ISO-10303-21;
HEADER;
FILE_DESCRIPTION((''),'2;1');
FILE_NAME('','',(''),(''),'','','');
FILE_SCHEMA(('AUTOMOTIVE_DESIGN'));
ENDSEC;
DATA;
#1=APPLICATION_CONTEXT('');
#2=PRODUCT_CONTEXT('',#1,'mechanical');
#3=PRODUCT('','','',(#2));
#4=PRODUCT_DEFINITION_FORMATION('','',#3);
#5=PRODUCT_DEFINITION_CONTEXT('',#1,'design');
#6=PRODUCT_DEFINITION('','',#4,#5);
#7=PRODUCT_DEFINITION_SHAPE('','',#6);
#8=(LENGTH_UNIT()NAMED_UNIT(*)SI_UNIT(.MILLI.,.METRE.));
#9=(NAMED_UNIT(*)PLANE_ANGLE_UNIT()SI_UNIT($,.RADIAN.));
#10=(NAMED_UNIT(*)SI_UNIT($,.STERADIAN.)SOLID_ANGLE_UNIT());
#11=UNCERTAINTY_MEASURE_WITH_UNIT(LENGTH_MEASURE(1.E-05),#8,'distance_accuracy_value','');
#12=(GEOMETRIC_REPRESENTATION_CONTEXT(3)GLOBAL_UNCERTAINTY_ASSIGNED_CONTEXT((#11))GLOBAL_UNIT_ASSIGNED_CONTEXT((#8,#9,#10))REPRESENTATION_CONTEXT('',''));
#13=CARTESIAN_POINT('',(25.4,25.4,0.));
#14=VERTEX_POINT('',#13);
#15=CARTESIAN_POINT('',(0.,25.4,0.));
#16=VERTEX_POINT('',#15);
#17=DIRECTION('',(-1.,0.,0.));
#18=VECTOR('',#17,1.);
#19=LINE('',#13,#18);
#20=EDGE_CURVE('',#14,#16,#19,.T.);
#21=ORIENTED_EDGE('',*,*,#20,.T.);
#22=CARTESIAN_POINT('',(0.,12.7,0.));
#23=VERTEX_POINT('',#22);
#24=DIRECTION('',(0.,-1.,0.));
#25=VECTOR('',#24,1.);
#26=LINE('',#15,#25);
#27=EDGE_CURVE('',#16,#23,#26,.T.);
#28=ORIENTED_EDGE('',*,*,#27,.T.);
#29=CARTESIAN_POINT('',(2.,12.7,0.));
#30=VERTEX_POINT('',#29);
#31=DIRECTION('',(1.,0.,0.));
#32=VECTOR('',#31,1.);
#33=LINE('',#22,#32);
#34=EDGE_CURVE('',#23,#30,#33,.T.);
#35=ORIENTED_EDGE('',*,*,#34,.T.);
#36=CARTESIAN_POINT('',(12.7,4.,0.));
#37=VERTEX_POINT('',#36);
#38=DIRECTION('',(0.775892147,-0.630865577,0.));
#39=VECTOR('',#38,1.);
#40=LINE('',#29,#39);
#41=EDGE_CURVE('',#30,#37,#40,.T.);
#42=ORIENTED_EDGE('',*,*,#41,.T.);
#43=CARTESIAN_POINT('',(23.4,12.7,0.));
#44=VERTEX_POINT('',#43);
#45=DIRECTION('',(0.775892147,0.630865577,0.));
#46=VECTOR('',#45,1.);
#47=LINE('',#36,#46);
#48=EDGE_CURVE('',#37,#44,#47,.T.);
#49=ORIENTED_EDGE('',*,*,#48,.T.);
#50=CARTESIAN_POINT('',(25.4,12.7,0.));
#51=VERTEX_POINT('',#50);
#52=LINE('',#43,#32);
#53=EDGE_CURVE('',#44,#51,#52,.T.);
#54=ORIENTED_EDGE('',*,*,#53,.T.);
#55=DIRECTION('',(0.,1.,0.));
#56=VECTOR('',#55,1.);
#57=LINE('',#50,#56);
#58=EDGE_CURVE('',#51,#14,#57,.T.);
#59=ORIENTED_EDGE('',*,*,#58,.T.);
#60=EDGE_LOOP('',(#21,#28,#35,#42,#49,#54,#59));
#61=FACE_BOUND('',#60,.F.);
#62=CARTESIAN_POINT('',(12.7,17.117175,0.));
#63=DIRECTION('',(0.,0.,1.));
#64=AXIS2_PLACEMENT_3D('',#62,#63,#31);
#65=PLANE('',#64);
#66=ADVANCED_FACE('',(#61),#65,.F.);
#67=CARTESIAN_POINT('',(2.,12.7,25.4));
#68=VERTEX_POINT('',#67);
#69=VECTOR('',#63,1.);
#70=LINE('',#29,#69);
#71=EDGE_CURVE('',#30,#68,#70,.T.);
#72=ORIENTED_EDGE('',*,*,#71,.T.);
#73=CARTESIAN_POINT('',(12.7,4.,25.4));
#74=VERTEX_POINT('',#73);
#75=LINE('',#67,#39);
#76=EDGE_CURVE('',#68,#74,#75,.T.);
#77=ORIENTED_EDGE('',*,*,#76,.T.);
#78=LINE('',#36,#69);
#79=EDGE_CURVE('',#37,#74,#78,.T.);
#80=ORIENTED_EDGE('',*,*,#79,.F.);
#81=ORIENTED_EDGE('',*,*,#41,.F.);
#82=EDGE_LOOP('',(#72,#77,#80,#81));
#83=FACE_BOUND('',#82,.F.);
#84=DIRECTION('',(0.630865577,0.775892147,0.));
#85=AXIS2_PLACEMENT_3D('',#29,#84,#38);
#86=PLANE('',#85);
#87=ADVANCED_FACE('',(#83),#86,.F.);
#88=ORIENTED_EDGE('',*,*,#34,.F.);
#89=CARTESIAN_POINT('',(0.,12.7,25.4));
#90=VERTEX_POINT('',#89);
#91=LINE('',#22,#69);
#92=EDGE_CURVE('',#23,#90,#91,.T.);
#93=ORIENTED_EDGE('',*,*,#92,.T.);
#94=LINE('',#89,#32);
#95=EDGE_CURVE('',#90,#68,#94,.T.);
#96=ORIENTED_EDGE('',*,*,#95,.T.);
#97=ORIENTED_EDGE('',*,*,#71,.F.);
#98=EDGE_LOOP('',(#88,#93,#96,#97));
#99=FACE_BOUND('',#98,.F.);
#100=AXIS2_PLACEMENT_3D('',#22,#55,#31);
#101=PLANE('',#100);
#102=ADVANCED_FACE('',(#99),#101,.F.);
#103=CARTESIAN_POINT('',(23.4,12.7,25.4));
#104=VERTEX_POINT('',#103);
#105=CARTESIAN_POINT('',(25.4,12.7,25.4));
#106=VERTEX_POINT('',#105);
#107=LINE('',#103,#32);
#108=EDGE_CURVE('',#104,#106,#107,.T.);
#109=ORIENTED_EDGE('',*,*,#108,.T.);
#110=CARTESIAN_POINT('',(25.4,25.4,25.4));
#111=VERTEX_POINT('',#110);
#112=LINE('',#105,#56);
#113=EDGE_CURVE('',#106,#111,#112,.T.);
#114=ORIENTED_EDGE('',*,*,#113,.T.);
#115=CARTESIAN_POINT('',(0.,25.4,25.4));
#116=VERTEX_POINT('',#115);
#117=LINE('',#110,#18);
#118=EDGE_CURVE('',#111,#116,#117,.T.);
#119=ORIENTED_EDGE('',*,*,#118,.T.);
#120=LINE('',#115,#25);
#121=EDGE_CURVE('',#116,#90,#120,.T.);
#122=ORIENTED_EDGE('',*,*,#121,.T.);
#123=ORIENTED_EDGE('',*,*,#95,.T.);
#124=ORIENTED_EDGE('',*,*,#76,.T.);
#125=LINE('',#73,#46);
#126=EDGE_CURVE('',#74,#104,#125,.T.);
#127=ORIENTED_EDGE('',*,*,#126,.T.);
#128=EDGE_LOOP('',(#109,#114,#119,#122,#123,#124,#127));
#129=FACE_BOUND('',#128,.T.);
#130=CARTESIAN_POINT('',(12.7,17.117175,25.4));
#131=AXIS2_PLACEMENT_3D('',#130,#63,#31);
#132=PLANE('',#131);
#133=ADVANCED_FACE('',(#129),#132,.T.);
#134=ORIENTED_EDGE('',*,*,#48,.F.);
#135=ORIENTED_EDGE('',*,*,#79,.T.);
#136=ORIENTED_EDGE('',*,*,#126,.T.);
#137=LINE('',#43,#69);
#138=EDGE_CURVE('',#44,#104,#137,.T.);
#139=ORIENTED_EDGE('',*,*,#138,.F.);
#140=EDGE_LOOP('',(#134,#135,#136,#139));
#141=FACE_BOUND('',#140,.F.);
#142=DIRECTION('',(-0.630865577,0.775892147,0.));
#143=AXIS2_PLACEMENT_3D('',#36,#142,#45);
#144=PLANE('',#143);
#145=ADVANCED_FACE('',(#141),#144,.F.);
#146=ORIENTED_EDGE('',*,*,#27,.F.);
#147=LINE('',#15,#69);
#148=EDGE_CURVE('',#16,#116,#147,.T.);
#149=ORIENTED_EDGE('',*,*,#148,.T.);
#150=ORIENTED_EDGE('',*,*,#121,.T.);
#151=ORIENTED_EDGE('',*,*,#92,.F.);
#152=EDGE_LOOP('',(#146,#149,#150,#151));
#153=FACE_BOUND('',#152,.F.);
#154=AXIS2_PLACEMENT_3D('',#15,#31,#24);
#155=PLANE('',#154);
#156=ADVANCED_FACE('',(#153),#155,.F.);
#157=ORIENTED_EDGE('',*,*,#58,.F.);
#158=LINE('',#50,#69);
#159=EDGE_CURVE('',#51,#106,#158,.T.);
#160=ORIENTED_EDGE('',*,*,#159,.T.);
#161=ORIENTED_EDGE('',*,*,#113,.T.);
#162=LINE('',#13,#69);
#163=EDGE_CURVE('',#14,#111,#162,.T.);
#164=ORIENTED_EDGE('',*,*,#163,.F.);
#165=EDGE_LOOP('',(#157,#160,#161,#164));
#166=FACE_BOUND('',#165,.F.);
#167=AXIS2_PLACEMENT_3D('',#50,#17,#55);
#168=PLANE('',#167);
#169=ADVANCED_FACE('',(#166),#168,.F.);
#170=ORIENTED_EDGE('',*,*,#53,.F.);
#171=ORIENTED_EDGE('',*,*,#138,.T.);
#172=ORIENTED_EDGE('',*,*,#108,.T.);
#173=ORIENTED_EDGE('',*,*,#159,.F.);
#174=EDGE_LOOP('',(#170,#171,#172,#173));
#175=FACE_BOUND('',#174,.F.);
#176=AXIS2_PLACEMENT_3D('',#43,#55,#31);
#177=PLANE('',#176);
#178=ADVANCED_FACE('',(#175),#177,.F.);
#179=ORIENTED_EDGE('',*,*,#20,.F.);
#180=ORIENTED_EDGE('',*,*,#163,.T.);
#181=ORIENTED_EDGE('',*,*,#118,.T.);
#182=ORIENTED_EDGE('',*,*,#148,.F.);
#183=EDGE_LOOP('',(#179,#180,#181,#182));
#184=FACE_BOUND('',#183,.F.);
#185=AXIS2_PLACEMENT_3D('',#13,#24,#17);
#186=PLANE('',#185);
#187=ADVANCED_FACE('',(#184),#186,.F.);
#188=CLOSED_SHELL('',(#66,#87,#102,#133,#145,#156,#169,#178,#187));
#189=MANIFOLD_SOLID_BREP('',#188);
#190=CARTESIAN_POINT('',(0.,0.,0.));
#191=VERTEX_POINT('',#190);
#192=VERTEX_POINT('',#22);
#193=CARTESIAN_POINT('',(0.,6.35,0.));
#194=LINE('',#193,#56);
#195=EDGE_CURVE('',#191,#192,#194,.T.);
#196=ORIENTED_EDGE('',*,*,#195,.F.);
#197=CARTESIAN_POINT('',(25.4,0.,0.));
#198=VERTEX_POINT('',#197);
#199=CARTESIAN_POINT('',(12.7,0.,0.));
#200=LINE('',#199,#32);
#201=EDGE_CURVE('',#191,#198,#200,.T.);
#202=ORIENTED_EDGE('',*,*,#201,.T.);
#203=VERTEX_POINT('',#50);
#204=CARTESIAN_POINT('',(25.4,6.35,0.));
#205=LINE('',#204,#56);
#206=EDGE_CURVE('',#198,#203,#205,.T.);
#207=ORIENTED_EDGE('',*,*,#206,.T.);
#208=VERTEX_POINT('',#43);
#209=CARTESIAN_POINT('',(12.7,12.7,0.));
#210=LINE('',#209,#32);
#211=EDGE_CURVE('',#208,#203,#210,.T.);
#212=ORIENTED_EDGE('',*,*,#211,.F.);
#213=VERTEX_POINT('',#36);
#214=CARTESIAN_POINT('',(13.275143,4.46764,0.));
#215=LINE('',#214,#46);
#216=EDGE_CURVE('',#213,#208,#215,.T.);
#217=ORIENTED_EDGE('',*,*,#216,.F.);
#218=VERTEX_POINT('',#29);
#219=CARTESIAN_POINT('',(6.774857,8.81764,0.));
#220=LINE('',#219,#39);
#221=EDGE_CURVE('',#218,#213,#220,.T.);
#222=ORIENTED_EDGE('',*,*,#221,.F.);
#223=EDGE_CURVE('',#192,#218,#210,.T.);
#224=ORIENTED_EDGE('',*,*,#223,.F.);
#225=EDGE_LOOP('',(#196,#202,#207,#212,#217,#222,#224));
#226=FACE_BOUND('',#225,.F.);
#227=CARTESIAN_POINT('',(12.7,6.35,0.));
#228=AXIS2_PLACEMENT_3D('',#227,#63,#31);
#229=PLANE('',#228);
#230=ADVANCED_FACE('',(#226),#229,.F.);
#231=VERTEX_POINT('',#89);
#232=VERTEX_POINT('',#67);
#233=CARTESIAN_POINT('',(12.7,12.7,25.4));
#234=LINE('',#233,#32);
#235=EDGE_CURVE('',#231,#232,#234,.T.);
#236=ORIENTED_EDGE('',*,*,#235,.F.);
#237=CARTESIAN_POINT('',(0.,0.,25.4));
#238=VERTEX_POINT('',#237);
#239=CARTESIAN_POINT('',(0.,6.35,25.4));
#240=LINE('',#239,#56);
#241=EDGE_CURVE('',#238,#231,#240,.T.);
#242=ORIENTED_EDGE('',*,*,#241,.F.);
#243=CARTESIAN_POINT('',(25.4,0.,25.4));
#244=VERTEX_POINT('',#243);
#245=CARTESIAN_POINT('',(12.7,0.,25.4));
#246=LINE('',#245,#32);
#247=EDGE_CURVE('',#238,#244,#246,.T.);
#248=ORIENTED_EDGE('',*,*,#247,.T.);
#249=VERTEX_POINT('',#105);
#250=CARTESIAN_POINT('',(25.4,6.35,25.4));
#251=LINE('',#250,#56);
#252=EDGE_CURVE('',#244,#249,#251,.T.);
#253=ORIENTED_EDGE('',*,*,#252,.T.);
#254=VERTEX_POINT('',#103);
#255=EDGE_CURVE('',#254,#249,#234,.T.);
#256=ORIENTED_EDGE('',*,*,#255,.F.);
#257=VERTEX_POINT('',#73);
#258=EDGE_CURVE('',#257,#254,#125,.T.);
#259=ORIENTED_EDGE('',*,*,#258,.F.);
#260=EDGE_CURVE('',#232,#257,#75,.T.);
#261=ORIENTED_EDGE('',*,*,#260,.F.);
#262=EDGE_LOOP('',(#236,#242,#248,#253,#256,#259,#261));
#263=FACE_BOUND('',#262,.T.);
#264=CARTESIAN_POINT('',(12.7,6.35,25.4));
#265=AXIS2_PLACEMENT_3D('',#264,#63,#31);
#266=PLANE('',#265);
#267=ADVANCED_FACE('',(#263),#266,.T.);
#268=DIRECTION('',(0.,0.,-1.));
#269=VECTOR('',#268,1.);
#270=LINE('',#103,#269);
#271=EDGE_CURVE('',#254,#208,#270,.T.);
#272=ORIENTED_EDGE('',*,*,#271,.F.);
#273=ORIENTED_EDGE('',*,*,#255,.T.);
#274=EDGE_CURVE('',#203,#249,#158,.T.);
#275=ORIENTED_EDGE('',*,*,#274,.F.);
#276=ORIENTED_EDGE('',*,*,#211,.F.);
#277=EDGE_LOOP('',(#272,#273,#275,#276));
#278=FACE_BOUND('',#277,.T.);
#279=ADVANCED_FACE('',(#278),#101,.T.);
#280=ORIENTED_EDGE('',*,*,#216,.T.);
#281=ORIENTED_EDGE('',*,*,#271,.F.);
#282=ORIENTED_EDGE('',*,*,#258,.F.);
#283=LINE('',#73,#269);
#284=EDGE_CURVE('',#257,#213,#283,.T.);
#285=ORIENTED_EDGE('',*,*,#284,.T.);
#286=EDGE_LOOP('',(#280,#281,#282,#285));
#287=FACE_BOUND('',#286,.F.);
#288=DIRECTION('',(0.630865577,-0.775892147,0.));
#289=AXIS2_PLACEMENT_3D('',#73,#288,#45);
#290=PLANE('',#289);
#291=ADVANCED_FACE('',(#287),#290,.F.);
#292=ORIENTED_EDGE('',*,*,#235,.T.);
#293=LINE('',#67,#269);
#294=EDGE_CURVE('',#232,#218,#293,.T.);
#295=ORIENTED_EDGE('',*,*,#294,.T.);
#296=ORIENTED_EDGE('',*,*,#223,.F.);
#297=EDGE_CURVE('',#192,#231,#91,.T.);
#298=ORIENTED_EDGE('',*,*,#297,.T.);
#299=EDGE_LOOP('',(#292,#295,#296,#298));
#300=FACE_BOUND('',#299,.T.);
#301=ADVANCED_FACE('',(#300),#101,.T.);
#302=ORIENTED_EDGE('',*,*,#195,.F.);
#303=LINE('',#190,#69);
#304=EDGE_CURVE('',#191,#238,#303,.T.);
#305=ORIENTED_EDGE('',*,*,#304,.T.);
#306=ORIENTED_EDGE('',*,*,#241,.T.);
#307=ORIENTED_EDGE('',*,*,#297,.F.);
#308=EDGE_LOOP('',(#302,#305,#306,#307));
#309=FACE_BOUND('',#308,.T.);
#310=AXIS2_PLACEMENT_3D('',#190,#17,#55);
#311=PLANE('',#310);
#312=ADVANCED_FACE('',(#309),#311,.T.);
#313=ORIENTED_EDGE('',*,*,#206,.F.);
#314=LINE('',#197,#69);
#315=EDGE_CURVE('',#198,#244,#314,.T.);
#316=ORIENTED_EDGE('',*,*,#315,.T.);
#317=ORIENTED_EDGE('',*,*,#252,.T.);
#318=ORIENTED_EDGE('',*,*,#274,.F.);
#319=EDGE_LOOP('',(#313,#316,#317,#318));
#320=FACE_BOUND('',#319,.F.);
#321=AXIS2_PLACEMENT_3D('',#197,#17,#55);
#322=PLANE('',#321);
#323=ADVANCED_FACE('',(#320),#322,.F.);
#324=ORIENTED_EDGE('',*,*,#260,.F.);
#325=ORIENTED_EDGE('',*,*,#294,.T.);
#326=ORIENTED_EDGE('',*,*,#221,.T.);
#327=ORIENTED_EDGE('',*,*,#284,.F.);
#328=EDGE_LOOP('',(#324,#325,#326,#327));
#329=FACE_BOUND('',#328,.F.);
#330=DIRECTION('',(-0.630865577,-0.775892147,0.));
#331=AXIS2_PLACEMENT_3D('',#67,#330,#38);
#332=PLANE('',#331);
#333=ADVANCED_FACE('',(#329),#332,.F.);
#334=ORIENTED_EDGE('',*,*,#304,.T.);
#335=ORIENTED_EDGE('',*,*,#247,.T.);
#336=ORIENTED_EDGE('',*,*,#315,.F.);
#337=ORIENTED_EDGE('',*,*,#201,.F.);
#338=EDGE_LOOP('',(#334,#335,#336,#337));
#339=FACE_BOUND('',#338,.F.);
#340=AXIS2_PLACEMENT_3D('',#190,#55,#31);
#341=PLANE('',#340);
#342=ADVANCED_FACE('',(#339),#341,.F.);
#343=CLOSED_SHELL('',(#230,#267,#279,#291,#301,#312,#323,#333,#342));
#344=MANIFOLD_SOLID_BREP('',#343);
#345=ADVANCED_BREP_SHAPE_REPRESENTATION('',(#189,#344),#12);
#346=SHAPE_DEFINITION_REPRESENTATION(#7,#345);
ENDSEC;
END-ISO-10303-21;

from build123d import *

# Parameters (mm, degrees)
F0_W     = 25.4
F0_H     = 12.7
F1_DEPTH = 25.4
F3_DEPTH = 25.401
F5_DEPTH = 25.4


with BuildPart() as f1:
    # F0 (on Top) → F1 (new body)
    with BuildSketch(Plane.XY):
        with Locations((12.7, 6.35)):
            Rectangle(F0_W, F0_H)
    extrude(amount=F1_DEPTH)

    # F2 (on face) → F3 (cut, through all)
    with BuildSketch(Plane.XY.offset(25.4)):
        Polygon((23.4, 12.7), (2, 12.7), (12.7, 4), align=None)
    extrude(amount=-F3_DEPTH, mode=Mode.SUBTRACT)


with BuildPart() as f5:
    # F4 (on Top) → F5 (new body)
    with BuildSketch(Plane.XY):
        Polygon((12.7, 4), (23.4, 12.7), (25.4, 12.7), (25.4, 25.4), (0, 25.4), (0, 12.7), (2, 12.7), align=None)
    extrude(amount=F5_DEPTH)


solid = Compound([f1.part, f5.part])
